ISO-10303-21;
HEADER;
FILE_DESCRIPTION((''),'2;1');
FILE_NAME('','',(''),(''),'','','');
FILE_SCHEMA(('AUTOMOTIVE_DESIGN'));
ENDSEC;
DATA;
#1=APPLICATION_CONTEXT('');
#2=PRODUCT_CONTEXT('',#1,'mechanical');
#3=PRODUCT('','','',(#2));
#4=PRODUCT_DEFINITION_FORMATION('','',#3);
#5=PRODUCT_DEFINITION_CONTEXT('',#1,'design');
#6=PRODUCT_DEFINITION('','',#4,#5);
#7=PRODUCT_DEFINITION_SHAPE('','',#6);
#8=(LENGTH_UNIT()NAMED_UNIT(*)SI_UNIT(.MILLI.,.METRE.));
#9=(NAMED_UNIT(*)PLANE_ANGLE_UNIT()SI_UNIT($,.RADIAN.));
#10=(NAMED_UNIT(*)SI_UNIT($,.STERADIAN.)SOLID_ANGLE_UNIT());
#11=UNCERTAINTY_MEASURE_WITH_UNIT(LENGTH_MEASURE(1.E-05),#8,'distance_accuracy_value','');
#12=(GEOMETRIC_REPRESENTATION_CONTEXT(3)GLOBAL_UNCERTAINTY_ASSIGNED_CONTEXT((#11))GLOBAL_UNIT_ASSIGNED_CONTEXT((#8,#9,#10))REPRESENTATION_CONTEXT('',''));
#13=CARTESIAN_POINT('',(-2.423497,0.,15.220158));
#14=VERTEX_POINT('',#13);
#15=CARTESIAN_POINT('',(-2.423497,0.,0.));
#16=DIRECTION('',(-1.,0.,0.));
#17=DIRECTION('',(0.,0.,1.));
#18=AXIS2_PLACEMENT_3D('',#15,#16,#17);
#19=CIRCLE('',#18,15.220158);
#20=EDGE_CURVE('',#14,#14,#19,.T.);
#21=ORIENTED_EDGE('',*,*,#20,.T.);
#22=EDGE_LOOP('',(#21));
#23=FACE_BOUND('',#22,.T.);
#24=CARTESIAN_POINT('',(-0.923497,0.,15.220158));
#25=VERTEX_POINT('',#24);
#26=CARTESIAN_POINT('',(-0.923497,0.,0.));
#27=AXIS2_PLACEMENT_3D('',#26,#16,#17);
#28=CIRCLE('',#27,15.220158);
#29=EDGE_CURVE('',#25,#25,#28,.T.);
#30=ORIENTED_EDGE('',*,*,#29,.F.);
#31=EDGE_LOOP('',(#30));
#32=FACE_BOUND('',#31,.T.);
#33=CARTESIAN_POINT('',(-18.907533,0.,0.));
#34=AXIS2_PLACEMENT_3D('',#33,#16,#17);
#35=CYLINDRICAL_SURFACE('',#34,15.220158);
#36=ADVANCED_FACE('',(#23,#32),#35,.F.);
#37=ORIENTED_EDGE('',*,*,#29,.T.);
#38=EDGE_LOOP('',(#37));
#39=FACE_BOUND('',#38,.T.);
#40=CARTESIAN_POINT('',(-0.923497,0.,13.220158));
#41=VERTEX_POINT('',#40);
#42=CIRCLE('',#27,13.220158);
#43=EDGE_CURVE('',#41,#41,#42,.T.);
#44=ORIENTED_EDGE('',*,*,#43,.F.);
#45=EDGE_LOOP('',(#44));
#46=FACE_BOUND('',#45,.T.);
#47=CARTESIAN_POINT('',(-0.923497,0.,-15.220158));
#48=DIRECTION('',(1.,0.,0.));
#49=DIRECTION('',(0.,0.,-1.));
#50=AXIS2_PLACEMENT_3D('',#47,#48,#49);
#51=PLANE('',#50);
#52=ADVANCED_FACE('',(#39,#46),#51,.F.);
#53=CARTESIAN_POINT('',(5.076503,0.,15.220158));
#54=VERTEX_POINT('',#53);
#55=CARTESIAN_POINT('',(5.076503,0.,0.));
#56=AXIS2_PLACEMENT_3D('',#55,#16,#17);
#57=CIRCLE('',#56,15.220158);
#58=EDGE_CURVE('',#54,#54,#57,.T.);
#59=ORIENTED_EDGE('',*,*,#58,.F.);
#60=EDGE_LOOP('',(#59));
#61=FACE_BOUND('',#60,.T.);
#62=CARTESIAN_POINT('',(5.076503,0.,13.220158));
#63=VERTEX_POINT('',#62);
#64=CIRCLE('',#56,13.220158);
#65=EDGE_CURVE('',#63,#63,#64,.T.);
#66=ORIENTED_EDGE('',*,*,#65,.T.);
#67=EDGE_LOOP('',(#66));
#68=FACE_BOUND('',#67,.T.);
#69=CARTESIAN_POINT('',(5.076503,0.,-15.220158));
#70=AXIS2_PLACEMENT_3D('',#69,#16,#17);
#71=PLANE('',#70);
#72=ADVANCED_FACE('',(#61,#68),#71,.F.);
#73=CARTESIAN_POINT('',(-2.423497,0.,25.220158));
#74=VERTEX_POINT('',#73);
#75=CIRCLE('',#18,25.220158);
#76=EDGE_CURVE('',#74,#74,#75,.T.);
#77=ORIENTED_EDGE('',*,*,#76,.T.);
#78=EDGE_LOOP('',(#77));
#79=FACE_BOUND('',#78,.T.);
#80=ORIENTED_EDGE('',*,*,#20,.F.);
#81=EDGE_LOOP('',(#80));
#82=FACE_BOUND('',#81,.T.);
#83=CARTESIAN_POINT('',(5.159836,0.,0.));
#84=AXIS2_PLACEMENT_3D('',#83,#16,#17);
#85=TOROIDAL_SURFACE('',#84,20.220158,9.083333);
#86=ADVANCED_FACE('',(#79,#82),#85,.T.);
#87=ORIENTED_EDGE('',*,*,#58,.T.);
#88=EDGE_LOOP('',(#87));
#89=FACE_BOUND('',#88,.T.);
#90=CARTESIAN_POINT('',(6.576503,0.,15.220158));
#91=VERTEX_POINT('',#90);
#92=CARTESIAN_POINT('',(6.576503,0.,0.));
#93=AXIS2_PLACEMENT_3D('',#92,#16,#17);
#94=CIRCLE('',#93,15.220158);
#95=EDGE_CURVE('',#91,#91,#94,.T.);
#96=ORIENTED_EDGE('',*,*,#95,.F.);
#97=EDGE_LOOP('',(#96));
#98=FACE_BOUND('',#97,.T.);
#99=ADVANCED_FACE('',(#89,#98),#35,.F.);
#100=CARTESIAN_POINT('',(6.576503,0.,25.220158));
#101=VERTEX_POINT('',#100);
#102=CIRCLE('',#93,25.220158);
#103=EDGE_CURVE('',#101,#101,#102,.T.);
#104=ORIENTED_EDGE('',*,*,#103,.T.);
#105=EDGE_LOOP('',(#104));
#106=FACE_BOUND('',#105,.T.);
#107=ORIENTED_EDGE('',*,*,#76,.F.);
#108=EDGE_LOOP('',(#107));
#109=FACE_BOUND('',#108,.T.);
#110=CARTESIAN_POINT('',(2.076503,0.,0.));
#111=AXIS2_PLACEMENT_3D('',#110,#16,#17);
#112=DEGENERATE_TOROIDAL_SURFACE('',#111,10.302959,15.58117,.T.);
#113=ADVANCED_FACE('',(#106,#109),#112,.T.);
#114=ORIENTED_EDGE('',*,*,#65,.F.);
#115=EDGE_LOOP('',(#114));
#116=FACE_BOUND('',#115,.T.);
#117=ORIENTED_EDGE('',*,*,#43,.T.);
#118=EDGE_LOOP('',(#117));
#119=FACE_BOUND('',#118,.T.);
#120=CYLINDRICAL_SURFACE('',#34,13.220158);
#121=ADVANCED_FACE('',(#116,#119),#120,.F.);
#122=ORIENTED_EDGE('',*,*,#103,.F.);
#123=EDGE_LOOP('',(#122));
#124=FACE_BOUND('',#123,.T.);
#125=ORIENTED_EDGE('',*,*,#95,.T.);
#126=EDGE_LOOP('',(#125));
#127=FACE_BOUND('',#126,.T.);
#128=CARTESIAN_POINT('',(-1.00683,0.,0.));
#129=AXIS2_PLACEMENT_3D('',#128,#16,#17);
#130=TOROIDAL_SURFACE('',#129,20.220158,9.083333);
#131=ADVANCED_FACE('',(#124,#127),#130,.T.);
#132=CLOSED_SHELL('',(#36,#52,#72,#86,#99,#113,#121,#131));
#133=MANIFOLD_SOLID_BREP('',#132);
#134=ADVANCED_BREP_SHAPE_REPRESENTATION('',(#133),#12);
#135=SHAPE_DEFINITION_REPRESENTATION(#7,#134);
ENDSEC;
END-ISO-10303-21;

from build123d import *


with BuildPart() as part:
    # Sketch1 → Revolve1 (revolve)
    with BuildSketch(Plane(origin=(0, 0, 0), x_dir=(1, 0, 0), z_dir=(0, 1, 0))):
        with BuildLine():
            Line((-0.923496983, 13.220158419), (5.076503017, 13.220158419))
            Line((5.076503017, 13.220158419), (5.076503017, 15.220158419))
            Line((5.076503017, 15.220158419), (6.576503017, 15.220158419))
            ThreePointArc((6.576503017, 15.220158419), (8.076503017, 20.220158419), (6.576503017, 25.220158419))
            ThreePointArc((6.576503017, 25.220158419), (2.076503017, 25.884128338), (-2.423496983, 25.220158419))
            ThreePointArc((-2.423496983, 25.220158419), (-3.923496983, 20.220158419), (-2.423496983, 15.220158419))
            Line((-2.423496983, 15.220158419), (-0.923496983, 15.220158419))
            Line((-0.923496983, 15.220158419), (-0.923496983, 13.220158419))
        make_face()
    revolve(axis=Axis((-18.907532969, 0, 0), (1, 0, 0)))


solid = part.part
